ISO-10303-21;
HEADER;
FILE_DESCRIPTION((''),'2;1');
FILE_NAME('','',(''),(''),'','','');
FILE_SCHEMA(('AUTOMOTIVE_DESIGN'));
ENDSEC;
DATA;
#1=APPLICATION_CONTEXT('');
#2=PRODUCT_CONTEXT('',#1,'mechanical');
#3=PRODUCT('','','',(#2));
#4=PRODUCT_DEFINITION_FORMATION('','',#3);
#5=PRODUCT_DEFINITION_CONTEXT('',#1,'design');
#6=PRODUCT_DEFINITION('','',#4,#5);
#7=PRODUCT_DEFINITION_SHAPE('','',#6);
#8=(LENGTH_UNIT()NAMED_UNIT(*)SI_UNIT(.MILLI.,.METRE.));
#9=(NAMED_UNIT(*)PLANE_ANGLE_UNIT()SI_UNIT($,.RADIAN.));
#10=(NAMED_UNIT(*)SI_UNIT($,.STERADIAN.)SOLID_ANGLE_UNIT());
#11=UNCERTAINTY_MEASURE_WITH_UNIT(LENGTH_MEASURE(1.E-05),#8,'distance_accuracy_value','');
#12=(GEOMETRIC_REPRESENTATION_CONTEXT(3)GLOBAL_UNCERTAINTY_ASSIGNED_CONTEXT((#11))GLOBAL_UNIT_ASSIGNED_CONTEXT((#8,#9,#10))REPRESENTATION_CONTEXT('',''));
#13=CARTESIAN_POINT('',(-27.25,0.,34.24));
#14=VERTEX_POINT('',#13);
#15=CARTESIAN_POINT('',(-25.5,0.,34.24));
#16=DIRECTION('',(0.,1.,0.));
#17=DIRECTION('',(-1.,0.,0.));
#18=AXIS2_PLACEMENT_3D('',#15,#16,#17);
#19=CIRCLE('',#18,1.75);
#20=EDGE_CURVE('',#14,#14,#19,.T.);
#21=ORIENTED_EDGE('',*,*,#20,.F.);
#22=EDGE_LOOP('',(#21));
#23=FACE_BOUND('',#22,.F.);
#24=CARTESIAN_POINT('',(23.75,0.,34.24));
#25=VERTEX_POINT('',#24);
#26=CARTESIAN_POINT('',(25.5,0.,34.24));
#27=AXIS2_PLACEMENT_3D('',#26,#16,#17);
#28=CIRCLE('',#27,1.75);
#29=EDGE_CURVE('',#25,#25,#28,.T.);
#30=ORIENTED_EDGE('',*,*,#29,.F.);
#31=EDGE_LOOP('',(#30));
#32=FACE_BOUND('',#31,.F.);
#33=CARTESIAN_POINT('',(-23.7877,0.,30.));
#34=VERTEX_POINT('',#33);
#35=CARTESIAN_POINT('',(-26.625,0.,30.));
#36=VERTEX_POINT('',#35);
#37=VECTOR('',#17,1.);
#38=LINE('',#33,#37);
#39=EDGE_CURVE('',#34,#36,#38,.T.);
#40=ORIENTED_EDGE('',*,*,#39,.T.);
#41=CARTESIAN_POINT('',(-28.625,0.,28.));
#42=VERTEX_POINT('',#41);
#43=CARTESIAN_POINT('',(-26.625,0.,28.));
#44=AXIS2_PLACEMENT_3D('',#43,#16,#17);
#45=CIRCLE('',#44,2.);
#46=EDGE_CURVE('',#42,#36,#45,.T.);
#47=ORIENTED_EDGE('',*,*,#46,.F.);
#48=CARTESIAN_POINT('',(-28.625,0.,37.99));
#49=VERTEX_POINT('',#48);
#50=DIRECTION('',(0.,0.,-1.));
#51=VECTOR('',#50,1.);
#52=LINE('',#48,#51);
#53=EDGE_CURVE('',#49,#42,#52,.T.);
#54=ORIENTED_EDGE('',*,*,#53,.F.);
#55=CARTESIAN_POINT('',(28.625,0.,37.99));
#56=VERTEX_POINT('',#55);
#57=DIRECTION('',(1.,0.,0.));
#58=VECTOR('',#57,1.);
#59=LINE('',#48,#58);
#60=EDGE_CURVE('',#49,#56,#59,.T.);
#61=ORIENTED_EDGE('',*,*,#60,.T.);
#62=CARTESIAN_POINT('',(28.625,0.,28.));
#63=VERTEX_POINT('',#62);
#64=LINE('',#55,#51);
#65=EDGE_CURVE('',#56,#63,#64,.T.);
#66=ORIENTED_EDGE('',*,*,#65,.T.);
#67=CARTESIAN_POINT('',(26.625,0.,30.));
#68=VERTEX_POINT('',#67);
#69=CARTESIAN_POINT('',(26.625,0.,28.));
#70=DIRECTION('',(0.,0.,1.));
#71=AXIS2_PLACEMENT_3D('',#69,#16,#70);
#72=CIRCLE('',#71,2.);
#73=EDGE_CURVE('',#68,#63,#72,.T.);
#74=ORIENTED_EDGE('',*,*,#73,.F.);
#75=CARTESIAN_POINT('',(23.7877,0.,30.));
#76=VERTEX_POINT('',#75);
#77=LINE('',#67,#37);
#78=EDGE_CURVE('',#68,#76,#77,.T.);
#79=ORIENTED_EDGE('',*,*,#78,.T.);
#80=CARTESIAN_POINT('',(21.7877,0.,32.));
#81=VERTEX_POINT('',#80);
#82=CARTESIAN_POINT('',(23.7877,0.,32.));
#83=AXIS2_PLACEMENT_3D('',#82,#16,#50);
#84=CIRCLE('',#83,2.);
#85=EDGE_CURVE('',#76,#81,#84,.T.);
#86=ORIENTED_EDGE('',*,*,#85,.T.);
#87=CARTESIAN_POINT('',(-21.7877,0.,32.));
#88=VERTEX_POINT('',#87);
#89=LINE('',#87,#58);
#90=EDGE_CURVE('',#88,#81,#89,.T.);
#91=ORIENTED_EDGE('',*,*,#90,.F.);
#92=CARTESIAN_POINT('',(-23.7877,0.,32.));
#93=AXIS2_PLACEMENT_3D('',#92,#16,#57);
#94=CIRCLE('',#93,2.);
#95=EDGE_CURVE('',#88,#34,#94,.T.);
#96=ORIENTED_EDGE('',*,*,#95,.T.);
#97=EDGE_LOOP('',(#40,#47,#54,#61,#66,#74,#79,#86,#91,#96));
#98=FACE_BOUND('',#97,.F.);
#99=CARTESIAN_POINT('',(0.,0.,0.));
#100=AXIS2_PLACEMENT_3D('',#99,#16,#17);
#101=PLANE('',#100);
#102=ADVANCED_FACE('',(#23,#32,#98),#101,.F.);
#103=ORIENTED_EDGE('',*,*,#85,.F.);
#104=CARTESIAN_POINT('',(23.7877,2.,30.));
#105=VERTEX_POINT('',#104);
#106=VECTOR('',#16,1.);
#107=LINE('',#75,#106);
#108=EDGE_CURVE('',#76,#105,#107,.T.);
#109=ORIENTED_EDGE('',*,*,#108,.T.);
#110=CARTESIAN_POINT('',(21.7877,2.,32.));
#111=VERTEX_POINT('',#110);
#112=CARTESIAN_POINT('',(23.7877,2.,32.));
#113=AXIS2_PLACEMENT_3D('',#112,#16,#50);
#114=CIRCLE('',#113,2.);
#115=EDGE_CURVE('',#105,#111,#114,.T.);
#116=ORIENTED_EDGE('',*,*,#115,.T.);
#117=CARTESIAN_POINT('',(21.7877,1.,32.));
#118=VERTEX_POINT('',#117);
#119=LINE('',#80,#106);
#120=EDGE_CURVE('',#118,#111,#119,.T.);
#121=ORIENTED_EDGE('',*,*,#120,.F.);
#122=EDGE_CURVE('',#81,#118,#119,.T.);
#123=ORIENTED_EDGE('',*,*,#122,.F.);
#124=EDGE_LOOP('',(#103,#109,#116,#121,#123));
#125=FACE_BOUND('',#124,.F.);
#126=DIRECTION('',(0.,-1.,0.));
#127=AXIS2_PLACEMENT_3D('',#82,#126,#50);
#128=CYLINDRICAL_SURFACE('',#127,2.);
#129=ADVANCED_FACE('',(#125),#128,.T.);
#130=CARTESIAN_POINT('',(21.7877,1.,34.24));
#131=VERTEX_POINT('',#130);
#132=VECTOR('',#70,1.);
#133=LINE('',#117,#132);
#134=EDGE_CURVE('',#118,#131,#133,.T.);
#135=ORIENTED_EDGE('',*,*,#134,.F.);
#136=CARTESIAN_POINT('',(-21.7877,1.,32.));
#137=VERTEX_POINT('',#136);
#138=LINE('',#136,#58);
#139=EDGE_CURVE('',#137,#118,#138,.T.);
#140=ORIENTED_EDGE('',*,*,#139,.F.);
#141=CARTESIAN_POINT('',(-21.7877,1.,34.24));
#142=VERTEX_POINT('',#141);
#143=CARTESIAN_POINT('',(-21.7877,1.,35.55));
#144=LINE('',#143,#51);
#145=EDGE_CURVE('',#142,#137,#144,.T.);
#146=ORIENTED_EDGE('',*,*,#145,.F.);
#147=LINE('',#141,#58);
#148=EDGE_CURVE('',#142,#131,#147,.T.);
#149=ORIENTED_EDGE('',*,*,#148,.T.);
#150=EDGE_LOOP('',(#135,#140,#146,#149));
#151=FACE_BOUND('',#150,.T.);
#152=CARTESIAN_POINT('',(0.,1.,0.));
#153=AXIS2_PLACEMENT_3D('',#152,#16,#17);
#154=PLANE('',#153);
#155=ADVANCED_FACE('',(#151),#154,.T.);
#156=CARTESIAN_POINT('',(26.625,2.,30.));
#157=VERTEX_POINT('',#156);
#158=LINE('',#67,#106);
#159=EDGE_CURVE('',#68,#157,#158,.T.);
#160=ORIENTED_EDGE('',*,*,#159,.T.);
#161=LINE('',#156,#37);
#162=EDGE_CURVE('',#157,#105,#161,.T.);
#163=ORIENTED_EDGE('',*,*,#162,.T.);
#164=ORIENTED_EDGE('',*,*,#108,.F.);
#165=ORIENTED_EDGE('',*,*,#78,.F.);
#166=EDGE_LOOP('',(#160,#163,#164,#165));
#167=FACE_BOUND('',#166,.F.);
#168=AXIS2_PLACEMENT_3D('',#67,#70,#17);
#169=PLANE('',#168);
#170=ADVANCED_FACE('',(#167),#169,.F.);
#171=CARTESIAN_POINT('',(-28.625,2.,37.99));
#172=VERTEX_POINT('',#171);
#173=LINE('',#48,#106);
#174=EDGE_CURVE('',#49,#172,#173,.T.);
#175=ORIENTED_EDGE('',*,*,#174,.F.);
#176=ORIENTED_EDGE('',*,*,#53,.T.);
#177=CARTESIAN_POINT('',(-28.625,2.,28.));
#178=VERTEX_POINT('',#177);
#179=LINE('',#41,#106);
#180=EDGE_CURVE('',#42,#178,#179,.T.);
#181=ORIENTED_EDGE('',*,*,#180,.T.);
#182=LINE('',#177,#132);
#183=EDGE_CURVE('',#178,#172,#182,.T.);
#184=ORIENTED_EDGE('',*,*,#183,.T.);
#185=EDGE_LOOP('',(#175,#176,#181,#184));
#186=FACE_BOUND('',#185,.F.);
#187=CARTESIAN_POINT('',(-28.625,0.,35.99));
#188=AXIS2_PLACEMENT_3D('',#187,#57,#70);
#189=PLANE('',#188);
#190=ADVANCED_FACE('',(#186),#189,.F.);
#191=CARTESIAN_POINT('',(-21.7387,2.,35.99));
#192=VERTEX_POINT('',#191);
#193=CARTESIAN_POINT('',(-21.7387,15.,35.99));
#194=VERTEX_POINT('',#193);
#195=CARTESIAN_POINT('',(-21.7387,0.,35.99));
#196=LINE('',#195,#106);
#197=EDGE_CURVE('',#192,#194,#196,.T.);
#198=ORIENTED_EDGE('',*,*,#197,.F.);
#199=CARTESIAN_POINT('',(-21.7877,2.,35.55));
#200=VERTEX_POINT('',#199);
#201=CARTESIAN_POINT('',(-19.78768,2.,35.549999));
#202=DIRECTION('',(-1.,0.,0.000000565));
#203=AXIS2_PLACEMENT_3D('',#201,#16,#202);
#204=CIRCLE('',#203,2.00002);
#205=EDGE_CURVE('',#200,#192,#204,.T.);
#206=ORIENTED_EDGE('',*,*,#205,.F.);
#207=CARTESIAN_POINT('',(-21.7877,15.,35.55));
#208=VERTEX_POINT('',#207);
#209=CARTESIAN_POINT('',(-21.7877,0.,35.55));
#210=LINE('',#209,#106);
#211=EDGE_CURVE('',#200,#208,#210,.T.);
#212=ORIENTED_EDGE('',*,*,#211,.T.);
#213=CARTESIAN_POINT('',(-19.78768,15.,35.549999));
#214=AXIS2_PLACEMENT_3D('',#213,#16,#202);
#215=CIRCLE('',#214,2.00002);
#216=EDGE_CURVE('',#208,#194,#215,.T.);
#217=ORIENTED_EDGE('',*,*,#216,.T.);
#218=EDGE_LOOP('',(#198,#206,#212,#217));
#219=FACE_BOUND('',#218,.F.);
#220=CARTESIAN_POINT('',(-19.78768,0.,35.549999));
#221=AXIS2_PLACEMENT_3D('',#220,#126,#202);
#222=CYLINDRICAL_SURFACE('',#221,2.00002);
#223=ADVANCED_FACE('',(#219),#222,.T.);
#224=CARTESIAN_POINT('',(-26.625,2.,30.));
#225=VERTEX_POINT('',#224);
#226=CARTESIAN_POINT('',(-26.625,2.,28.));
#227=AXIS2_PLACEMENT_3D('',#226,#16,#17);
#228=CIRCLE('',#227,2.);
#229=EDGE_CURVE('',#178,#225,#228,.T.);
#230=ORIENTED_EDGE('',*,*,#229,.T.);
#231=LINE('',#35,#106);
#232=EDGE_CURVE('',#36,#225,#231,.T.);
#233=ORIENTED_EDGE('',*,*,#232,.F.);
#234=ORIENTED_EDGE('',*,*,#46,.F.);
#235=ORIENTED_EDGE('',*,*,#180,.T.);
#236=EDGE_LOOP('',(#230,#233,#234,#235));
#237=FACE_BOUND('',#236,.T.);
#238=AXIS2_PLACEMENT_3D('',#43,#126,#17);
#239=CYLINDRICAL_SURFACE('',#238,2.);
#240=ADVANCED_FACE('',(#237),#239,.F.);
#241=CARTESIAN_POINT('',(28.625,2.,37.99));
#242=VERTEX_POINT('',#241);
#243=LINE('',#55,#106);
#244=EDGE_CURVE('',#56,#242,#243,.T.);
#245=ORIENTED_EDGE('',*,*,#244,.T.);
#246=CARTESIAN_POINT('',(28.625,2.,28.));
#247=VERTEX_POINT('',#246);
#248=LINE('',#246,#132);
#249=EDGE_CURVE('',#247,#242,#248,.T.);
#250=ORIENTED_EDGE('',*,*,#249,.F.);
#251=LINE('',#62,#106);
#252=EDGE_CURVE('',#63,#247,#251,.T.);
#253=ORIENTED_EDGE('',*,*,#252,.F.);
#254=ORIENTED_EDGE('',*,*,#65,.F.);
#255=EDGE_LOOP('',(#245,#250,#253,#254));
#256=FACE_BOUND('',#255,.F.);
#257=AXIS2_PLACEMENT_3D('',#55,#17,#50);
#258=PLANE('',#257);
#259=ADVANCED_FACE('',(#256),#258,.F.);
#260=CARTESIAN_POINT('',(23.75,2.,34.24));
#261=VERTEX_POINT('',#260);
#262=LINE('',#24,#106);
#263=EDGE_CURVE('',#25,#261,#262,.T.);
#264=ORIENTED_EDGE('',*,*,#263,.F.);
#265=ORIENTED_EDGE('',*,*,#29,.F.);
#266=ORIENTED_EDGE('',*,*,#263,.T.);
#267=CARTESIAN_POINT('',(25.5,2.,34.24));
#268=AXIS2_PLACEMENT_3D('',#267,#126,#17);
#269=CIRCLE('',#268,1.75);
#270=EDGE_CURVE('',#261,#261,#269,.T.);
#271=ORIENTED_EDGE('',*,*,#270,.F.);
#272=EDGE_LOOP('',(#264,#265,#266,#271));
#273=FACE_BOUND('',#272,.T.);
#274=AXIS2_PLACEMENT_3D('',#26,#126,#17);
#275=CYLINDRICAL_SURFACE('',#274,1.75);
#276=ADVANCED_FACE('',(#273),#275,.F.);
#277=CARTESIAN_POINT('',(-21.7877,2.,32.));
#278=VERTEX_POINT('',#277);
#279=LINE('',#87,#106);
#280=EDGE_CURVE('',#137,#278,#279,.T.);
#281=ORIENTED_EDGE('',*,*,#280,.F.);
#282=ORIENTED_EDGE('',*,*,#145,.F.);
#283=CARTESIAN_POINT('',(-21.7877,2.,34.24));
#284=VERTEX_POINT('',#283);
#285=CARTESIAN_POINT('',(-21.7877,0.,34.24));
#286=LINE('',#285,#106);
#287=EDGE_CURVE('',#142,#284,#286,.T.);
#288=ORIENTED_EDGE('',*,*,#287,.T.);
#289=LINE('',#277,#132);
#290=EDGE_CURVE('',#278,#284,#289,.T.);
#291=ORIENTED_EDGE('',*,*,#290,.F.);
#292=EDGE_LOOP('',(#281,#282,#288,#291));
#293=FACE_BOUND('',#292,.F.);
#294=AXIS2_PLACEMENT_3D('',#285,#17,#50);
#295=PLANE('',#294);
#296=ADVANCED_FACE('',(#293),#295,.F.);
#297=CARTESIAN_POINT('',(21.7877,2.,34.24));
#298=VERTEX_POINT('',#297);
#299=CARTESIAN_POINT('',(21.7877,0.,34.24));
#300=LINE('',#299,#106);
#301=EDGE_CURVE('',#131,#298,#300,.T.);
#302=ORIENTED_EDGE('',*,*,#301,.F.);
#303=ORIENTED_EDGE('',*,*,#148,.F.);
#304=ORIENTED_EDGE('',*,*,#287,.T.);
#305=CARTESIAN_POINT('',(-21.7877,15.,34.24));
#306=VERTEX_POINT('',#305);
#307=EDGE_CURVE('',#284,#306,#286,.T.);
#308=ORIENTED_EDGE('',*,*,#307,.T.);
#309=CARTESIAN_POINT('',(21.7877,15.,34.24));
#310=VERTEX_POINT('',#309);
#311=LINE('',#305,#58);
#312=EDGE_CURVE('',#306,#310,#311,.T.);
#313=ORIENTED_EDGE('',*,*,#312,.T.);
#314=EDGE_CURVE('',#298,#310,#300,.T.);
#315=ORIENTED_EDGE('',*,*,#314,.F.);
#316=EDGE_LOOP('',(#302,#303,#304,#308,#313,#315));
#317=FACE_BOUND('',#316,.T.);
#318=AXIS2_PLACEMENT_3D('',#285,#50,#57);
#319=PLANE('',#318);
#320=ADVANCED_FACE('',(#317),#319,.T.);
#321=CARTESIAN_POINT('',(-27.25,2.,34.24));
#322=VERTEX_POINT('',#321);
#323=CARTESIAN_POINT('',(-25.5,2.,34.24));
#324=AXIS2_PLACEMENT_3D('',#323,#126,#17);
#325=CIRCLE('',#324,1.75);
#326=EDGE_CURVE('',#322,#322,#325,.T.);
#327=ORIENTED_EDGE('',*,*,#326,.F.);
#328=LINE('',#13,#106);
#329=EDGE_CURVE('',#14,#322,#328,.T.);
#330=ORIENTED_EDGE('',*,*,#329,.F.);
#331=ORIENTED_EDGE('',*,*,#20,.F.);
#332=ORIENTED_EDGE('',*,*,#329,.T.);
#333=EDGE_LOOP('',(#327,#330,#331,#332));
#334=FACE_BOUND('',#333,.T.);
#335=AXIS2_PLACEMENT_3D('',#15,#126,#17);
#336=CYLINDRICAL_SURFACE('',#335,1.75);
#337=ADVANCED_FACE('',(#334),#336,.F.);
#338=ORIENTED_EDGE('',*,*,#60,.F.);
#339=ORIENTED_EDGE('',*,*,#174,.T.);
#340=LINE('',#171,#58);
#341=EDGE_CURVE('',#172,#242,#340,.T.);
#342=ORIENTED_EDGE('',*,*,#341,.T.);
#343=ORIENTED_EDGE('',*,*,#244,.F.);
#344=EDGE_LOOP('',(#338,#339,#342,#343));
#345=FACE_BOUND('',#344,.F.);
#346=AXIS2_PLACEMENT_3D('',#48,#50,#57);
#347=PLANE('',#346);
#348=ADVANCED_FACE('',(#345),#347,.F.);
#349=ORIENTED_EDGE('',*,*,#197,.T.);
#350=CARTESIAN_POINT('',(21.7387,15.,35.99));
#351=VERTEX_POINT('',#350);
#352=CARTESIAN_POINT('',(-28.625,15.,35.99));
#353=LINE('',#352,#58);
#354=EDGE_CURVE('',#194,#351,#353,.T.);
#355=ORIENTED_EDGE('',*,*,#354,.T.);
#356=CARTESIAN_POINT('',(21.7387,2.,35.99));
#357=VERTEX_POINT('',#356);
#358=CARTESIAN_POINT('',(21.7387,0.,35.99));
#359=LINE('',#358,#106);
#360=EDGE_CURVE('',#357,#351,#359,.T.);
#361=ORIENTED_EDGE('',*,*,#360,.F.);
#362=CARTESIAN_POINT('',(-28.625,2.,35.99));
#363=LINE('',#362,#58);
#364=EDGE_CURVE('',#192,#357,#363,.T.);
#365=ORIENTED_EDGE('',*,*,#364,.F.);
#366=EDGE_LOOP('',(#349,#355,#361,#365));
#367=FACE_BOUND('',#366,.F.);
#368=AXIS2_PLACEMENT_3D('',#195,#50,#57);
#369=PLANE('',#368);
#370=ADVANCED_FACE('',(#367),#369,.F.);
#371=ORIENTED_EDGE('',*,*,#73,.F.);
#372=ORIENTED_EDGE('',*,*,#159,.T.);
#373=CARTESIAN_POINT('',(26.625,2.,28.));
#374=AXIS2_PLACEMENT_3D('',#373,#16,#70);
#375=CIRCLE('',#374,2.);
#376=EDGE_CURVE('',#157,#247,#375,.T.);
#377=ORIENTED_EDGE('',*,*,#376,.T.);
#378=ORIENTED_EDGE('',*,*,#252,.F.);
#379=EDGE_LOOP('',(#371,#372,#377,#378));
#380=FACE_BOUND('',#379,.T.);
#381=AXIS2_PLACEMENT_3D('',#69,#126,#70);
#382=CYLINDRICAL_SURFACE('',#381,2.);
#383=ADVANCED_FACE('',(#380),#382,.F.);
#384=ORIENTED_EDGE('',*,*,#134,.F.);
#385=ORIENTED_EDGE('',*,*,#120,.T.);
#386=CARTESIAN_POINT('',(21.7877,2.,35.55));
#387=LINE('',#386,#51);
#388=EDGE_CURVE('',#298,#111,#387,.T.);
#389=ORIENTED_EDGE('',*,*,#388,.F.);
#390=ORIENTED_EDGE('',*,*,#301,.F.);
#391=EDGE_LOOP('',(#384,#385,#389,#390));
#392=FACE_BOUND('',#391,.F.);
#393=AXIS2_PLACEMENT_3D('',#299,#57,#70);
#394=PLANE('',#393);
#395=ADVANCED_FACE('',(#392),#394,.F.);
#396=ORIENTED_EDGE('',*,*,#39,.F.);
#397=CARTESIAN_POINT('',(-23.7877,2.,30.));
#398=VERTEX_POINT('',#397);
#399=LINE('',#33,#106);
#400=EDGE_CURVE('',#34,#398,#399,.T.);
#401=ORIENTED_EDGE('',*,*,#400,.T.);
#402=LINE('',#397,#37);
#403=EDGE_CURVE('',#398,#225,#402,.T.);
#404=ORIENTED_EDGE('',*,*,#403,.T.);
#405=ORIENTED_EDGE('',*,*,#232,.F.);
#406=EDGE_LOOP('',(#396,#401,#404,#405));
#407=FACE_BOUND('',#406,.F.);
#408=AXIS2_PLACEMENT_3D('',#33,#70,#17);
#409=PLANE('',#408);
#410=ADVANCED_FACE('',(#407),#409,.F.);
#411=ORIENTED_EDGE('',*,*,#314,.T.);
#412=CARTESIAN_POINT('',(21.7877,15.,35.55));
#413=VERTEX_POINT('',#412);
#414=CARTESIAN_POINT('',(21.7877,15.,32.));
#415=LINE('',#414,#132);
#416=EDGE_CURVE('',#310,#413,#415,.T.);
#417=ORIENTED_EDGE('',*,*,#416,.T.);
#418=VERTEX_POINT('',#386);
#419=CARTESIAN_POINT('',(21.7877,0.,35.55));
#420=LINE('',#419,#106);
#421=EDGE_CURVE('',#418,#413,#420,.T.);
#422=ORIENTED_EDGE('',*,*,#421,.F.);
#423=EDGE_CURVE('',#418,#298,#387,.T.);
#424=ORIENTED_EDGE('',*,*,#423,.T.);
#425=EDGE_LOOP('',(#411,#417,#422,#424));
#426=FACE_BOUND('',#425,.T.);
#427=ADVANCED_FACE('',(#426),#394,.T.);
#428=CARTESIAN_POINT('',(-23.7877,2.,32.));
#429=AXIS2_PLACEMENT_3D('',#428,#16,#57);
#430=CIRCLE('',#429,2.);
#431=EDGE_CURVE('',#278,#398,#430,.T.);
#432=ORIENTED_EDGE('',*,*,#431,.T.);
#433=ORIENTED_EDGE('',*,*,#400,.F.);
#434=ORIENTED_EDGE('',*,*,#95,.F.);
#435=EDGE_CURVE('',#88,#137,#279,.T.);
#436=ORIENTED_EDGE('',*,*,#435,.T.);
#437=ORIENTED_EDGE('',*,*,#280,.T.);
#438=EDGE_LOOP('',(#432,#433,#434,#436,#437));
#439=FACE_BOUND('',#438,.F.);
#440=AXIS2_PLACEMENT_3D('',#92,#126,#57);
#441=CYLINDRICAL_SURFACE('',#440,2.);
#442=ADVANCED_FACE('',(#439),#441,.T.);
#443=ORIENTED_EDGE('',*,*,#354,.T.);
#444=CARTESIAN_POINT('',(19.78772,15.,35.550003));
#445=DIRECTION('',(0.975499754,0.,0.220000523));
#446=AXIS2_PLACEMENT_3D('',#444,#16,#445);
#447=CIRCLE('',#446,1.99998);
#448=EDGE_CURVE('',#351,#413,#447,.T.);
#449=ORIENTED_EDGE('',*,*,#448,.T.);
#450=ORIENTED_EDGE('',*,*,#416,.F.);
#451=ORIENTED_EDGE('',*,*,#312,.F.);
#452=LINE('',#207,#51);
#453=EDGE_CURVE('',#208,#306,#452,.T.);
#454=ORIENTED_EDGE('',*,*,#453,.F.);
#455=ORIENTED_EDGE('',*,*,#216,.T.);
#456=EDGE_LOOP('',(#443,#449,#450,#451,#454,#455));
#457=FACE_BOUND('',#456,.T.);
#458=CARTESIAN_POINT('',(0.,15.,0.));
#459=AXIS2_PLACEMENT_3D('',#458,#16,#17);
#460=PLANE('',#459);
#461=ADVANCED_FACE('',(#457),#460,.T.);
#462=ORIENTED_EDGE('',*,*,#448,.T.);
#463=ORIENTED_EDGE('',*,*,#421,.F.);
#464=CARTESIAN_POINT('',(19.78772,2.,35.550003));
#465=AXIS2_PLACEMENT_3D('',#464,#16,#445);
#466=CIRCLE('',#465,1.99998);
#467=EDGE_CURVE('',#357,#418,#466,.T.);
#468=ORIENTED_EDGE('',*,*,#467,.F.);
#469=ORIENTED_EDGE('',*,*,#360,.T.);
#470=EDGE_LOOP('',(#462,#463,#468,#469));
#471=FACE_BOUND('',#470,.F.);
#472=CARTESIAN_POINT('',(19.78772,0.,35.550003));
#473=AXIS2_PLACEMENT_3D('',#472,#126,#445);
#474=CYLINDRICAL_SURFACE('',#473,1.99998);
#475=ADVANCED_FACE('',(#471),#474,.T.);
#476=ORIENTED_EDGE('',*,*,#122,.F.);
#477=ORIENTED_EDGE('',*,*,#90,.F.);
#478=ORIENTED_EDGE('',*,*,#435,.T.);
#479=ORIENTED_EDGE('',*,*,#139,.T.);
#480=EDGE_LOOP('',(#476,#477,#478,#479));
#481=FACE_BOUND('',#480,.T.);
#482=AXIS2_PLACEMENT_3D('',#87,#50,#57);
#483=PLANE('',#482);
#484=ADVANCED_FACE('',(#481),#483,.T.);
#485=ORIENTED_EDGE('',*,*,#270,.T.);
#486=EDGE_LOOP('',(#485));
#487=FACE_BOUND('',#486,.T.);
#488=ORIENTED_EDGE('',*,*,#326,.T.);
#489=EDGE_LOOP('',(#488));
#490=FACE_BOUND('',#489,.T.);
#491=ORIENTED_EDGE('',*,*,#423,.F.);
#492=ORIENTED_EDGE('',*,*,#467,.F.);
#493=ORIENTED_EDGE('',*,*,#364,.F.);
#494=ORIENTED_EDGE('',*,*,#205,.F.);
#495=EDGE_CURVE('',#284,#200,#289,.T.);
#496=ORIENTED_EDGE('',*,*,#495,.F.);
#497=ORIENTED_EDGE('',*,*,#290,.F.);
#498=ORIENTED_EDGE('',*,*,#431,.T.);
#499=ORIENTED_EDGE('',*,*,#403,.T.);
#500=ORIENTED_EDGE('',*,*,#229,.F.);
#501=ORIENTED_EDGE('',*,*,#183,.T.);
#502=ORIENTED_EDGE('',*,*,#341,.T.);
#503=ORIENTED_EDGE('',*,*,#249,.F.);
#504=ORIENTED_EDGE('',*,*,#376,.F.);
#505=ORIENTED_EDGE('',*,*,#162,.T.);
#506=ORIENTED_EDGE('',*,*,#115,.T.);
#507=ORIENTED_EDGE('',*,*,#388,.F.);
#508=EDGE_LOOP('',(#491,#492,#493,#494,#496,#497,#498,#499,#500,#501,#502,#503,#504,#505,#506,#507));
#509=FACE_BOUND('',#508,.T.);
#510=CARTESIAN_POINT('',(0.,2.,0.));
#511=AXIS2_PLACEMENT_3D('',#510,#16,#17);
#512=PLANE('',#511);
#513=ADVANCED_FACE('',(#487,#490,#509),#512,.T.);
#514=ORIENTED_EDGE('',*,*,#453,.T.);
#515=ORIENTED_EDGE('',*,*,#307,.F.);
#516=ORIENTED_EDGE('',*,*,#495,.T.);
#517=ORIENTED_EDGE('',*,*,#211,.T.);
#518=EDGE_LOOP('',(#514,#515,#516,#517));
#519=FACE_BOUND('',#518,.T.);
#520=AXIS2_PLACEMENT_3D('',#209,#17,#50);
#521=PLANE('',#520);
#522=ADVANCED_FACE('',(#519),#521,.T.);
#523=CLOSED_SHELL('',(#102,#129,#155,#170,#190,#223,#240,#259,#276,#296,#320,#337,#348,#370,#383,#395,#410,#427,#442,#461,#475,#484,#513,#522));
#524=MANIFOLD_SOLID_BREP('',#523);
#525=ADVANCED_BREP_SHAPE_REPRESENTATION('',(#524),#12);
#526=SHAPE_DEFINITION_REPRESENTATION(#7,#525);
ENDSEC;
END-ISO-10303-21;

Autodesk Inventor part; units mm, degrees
ref_plane "YZ Plane" through (0, 0, 0) normal (1, 0, 0) x (0, 1, 0)
ref_plane "XZ Plane" through (0, 0, 0) normal (0, 1, 0) x (-1, 0, 0)
ref_plane "XY Plane" through (0, 0, 0) normal (0, 0, 1) x (1, 0, 0)
sketch "Sketch1" plane through (0, 0, 0) normal (0, 1, 0) x (-1, 0, 0)
  circle A0 centre (25.5, 34.24) radius 1.75
  circle A1 centre (-25.5, 34.24) radius 1.75
  line L0 (23.7877, 30) -> (26.625, 30)
  arc A2 (21.7877, 32) -> (23.7877, 30) centre (23.7877, 32) ccw
  line L1 (21.7877, 35.55) -> (21.7877, 32)
  arc A3 (21.7877, 35.55) -> (21.7387, 35.99) centre (19.7877, 35.55) ccw
  arc A4 (28.625, 28) -> (26.625, 30) centre (26.625, 28) ccw
  line L2 (-21.7877, 32) -> (-21.7877, 35.55)
  arc A5 (-21.7387, 35.99) -> (-21.7877, 35.55) centre (-19.7877, 35.55) ccw
  arc A6 (-23.7877, 30) -> (-21.7877, 32) centre (-23.7877, 32) ccw
  line L3 (-26.625, 30) -> (-23.7877, 30)
  arc A7 (-26.625, 30) -> (-28.625, 28) centre (-26.625, 28) ccw
  line L4 (28.625, 28) -> (28.625, 35.99)
  line L5 (-28.625, 28) -> (-28.625, 35.99)
  line L6 (21.7877, 34.24) -> (-21.7877, 34.24)
  line L7 (28.625, 35.99) -> (-28.625, 35.99)
  line L8 (21.7877, 32) -> (-21.7877, 32)
  line L9 (-28.625, 35.99) -> (28.625, 35.99)
  line L10 (28.625, 35.99) -> (28.625, 37.99)
  line L11 (28.625, 37.99) -> (-28.625, 37.99)
  line L12 (-28.625, 37.99) -> (-28.625, 35.99)
  dimension "d6" = 2
extrude "Extrusion1" add sketch "Sketch1" along normal blind 2 contours L7 L4 A4 L0 A2 L1 A3 | A5 L2 A6 L3 A7 L5 L7
extrude "Extrusion2" add sketch "Sketch1" along normal blind 15 contours A3 L1 L6 L2 A5 L7
extrude "Extrusion3" add sketch "Sketch1" along normal blind 1 contours L1 L8 L2 L6
extrude "Extrusion4" add sketch "Sketch1" along normal blind 2 contours L7 L12 L11 L10
properties part number "pelindung uvtron"
